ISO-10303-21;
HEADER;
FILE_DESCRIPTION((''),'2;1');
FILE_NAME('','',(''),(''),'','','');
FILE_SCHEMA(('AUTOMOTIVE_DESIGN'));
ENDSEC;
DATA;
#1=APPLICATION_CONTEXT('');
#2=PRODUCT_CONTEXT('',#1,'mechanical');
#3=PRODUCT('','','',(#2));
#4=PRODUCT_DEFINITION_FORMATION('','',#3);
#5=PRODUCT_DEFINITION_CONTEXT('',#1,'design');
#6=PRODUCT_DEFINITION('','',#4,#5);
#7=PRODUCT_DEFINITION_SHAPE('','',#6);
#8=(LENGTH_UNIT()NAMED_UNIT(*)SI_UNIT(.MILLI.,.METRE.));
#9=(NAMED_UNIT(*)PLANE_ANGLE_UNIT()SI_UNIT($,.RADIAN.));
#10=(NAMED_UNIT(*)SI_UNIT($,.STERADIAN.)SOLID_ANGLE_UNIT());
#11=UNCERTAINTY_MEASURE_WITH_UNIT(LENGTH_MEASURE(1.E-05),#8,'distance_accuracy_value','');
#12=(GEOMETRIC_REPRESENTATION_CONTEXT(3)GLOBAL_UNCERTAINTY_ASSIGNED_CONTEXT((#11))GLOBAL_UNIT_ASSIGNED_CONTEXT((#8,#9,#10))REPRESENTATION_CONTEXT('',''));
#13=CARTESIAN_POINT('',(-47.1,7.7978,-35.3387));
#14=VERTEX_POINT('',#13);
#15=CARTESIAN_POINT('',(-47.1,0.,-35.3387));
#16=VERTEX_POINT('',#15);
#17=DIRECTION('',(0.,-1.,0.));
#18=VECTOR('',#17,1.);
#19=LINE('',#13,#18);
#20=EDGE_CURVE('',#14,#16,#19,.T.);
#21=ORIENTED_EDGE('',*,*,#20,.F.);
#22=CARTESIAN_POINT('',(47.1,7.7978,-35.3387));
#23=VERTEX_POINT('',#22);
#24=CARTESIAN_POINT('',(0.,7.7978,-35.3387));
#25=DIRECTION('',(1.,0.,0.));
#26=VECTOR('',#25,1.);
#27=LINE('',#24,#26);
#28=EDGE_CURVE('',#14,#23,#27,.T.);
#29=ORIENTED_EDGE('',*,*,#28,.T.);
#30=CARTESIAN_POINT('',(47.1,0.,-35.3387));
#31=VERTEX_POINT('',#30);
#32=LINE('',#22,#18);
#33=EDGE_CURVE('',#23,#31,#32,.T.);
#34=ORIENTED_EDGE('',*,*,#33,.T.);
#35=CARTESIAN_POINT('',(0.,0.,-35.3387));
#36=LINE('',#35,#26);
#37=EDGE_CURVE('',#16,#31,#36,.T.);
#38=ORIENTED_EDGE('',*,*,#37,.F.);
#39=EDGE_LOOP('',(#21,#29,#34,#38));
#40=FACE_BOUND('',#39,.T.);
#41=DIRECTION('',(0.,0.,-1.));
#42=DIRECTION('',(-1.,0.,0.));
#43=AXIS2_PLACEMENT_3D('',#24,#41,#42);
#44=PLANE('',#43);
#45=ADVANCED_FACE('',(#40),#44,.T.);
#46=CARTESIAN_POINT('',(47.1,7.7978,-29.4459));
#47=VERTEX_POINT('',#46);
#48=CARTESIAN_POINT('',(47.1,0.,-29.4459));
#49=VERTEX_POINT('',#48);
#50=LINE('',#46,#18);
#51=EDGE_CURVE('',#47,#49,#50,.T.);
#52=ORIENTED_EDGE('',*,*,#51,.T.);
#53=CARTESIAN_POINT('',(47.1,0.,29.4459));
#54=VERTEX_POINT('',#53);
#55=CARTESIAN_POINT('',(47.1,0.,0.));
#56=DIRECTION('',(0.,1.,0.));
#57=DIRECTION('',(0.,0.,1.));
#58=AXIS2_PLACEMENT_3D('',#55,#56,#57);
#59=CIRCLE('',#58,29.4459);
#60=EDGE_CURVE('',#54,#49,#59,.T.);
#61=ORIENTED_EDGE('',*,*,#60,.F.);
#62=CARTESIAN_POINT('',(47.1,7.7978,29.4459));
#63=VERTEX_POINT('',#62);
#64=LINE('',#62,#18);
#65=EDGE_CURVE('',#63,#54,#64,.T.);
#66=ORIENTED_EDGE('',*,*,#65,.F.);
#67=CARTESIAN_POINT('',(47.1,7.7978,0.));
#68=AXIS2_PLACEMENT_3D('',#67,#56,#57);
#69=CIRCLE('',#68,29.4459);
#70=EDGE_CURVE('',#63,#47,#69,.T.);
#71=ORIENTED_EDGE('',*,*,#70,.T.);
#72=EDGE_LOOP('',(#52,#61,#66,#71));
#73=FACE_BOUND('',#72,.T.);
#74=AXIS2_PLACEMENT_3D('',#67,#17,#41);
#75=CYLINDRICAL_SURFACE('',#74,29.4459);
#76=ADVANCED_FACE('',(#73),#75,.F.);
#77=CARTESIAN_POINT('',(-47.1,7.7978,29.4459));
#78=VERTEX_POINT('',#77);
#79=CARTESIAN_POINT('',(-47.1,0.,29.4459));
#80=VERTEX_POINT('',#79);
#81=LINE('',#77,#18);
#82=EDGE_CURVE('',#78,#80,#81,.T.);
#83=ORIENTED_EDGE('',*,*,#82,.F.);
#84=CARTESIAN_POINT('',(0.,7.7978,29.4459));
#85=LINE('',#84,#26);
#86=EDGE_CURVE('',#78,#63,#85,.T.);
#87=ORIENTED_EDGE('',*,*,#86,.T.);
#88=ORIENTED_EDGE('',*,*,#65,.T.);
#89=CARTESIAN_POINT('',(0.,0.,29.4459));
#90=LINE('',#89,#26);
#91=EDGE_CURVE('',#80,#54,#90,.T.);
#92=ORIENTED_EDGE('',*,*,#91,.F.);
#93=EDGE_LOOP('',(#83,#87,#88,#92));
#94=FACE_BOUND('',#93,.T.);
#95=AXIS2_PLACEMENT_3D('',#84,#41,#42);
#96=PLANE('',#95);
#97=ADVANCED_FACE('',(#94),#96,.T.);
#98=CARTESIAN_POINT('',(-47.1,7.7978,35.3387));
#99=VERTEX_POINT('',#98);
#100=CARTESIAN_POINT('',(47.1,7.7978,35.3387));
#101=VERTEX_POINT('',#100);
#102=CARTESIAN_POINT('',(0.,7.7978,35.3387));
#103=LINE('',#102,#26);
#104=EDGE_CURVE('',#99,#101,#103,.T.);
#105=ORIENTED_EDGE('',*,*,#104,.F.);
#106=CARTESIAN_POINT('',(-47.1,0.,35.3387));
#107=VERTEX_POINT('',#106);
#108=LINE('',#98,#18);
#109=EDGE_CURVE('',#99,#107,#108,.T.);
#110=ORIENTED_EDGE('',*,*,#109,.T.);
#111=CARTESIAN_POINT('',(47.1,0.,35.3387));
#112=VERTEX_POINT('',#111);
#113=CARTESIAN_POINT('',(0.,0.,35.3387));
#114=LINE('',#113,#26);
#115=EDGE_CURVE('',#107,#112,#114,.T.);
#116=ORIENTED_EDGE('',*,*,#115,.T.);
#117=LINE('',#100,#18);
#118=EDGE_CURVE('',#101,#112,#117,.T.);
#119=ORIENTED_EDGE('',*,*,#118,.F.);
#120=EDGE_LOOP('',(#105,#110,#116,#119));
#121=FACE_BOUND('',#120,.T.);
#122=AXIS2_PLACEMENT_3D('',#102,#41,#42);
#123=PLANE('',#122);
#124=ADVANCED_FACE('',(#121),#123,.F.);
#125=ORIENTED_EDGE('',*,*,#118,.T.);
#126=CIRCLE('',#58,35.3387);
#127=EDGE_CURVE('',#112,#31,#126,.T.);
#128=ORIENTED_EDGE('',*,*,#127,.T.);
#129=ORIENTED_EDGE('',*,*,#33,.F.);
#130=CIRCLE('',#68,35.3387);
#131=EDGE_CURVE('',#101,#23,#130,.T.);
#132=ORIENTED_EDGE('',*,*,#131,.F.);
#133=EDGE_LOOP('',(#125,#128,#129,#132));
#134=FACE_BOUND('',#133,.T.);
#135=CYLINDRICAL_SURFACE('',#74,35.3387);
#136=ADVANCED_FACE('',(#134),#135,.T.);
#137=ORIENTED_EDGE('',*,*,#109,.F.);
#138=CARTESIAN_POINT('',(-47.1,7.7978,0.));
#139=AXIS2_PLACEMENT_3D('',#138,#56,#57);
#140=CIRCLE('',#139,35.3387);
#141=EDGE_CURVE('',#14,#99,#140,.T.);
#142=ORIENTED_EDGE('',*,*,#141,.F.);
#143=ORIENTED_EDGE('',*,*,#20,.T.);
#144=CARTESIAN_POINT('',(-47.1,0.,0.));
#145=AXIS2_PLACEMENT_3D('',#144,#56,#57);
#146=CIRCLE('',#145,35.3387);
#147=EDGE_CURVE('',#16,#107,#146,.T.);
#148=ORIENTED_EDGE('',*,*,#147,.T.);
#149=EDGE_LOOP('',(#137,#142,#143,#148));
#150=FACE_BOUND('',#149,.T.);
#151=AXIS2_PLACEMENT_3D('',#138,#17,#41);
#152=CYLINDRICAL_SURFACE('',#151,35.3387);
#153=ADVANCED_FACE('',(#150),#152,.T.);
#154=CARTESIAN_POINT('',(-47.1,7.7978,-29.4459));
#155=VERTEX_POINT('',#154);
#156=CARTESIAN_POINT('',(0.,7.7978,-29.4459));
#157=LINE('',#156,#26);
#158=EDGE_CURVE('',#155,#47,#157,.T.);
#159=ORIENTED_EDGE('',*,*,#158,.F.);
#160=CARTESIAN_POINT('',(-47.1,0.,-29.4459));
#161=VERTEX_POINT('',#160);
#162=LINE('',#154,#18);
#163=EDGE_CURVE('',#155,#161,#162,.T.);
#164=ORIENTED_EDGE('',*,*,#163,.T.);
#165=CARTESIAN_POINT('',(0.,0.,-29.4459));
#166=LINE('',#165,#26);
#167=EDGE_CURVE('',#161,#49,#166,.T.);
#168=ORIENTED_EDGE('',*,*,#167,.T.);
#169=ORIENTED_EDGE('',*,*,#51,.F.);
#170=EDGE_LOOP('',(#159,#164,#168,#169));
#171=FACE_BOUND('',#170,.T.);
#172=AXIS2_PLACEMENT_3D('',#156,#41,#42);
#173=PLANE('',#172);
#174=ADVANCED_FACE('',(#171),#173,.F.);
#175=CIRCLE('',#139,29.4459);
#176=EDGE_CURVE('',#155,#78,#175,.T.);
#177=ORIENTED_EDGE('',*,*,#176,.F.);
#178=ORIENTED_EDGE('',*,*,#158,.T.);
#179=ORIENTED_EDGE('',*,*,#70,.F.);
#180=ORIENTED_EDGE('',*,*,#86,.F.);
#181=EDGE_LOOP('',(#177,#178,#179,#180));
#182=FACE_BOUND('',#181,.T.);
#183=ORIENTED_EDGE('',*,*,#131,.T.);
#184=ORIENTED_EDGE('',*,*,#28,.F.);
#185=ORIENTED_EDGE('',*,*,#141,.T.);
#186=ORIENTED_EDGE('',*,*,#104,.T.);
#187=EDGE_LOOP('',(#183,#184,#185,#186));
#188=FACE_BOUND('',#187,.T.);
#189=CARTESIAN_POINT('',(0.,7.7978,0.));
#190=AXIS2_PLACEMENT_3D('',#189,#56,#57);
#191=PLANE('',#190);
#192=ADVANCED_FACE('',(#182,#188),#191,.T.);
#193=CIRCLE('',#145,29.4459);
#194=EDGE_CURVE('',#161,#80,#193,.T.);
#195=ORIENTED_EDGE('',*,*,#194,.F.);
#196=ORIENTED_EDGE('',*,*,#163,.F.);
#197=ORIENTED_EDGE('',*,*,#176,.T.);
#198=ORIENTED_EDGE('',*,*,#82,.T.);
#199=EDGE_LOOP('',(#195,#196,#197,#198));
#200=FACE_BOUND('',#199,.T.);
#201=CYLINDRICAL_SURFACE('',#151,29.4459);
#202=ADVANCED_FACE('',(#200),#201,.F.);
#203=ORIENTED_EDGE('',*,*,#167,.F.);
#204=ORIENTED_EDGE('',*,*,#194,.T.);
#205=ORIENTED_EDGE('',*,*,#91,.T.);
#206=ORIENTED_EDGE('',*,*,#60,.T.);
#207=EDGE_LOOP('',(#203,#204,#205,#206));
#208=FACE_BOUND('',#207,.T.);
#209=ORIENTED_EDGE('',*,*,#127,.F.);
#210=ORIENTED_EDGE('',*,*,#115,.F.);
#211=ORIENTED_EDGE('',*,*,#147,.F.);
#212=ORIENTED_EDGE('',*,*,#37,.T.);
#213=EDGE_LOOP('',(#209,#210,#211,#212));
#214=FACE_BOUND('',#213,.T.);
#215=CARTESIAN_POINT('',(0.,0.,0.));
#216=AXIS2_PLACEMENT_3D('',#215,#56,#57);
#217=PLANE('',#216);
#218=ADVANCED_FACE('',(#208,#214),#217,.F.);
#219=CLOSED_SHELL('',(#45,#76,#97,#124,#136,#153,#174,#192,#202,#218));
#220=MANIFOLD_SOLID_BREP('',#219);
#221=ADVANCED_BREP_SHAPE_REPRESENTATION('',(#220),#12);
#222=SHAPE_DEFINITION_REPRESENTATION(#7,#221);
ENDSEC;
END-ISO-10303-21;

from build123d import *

# Parameters (mm, degrees)
BOSS_EXTRUDE1_DEPTH = 7.7978


with BuildPart() as part:
    # Sketch1 → Boss-Extrude1 (new body)
    with BuildSketch(Plane(origin=(0, 0, 0), x_dir=(1, 0, 0), z_dir=(0, 1, 0))):
        with BuildLine():
            Line((-47.1, -35.3387), (47.1, -35.3387))
            ThreePointArc((47.1, -35.3387), (82.4387, 0), (47.1, 35.3387))
            Line((47.1, 35.3387), (-47.1, 35.3387))
            ThreePointArc((-47.1, 35.3387), (-82.4387, 0), (-47.1, -35.3387))
        make_face()
        with BuildLine():
            Line((-47.1, -29.4459), (47.1, -29.4459))
            ThreePointArc((47.1, -29.4459), (76.5459, 0), (47.1, 29.4459))
            Line((47.1, 29.4459), (-47.1, 29.4459))
            ThreePointArc((-47.1, 29.4459), (-76.5459, 0), (-47.1, -29.4459))
        make_face(mode=Mode.SUBTRACT)
    extrude(amount=BOSS_EXTRUDE1_DEPTH)


solid = part.part
